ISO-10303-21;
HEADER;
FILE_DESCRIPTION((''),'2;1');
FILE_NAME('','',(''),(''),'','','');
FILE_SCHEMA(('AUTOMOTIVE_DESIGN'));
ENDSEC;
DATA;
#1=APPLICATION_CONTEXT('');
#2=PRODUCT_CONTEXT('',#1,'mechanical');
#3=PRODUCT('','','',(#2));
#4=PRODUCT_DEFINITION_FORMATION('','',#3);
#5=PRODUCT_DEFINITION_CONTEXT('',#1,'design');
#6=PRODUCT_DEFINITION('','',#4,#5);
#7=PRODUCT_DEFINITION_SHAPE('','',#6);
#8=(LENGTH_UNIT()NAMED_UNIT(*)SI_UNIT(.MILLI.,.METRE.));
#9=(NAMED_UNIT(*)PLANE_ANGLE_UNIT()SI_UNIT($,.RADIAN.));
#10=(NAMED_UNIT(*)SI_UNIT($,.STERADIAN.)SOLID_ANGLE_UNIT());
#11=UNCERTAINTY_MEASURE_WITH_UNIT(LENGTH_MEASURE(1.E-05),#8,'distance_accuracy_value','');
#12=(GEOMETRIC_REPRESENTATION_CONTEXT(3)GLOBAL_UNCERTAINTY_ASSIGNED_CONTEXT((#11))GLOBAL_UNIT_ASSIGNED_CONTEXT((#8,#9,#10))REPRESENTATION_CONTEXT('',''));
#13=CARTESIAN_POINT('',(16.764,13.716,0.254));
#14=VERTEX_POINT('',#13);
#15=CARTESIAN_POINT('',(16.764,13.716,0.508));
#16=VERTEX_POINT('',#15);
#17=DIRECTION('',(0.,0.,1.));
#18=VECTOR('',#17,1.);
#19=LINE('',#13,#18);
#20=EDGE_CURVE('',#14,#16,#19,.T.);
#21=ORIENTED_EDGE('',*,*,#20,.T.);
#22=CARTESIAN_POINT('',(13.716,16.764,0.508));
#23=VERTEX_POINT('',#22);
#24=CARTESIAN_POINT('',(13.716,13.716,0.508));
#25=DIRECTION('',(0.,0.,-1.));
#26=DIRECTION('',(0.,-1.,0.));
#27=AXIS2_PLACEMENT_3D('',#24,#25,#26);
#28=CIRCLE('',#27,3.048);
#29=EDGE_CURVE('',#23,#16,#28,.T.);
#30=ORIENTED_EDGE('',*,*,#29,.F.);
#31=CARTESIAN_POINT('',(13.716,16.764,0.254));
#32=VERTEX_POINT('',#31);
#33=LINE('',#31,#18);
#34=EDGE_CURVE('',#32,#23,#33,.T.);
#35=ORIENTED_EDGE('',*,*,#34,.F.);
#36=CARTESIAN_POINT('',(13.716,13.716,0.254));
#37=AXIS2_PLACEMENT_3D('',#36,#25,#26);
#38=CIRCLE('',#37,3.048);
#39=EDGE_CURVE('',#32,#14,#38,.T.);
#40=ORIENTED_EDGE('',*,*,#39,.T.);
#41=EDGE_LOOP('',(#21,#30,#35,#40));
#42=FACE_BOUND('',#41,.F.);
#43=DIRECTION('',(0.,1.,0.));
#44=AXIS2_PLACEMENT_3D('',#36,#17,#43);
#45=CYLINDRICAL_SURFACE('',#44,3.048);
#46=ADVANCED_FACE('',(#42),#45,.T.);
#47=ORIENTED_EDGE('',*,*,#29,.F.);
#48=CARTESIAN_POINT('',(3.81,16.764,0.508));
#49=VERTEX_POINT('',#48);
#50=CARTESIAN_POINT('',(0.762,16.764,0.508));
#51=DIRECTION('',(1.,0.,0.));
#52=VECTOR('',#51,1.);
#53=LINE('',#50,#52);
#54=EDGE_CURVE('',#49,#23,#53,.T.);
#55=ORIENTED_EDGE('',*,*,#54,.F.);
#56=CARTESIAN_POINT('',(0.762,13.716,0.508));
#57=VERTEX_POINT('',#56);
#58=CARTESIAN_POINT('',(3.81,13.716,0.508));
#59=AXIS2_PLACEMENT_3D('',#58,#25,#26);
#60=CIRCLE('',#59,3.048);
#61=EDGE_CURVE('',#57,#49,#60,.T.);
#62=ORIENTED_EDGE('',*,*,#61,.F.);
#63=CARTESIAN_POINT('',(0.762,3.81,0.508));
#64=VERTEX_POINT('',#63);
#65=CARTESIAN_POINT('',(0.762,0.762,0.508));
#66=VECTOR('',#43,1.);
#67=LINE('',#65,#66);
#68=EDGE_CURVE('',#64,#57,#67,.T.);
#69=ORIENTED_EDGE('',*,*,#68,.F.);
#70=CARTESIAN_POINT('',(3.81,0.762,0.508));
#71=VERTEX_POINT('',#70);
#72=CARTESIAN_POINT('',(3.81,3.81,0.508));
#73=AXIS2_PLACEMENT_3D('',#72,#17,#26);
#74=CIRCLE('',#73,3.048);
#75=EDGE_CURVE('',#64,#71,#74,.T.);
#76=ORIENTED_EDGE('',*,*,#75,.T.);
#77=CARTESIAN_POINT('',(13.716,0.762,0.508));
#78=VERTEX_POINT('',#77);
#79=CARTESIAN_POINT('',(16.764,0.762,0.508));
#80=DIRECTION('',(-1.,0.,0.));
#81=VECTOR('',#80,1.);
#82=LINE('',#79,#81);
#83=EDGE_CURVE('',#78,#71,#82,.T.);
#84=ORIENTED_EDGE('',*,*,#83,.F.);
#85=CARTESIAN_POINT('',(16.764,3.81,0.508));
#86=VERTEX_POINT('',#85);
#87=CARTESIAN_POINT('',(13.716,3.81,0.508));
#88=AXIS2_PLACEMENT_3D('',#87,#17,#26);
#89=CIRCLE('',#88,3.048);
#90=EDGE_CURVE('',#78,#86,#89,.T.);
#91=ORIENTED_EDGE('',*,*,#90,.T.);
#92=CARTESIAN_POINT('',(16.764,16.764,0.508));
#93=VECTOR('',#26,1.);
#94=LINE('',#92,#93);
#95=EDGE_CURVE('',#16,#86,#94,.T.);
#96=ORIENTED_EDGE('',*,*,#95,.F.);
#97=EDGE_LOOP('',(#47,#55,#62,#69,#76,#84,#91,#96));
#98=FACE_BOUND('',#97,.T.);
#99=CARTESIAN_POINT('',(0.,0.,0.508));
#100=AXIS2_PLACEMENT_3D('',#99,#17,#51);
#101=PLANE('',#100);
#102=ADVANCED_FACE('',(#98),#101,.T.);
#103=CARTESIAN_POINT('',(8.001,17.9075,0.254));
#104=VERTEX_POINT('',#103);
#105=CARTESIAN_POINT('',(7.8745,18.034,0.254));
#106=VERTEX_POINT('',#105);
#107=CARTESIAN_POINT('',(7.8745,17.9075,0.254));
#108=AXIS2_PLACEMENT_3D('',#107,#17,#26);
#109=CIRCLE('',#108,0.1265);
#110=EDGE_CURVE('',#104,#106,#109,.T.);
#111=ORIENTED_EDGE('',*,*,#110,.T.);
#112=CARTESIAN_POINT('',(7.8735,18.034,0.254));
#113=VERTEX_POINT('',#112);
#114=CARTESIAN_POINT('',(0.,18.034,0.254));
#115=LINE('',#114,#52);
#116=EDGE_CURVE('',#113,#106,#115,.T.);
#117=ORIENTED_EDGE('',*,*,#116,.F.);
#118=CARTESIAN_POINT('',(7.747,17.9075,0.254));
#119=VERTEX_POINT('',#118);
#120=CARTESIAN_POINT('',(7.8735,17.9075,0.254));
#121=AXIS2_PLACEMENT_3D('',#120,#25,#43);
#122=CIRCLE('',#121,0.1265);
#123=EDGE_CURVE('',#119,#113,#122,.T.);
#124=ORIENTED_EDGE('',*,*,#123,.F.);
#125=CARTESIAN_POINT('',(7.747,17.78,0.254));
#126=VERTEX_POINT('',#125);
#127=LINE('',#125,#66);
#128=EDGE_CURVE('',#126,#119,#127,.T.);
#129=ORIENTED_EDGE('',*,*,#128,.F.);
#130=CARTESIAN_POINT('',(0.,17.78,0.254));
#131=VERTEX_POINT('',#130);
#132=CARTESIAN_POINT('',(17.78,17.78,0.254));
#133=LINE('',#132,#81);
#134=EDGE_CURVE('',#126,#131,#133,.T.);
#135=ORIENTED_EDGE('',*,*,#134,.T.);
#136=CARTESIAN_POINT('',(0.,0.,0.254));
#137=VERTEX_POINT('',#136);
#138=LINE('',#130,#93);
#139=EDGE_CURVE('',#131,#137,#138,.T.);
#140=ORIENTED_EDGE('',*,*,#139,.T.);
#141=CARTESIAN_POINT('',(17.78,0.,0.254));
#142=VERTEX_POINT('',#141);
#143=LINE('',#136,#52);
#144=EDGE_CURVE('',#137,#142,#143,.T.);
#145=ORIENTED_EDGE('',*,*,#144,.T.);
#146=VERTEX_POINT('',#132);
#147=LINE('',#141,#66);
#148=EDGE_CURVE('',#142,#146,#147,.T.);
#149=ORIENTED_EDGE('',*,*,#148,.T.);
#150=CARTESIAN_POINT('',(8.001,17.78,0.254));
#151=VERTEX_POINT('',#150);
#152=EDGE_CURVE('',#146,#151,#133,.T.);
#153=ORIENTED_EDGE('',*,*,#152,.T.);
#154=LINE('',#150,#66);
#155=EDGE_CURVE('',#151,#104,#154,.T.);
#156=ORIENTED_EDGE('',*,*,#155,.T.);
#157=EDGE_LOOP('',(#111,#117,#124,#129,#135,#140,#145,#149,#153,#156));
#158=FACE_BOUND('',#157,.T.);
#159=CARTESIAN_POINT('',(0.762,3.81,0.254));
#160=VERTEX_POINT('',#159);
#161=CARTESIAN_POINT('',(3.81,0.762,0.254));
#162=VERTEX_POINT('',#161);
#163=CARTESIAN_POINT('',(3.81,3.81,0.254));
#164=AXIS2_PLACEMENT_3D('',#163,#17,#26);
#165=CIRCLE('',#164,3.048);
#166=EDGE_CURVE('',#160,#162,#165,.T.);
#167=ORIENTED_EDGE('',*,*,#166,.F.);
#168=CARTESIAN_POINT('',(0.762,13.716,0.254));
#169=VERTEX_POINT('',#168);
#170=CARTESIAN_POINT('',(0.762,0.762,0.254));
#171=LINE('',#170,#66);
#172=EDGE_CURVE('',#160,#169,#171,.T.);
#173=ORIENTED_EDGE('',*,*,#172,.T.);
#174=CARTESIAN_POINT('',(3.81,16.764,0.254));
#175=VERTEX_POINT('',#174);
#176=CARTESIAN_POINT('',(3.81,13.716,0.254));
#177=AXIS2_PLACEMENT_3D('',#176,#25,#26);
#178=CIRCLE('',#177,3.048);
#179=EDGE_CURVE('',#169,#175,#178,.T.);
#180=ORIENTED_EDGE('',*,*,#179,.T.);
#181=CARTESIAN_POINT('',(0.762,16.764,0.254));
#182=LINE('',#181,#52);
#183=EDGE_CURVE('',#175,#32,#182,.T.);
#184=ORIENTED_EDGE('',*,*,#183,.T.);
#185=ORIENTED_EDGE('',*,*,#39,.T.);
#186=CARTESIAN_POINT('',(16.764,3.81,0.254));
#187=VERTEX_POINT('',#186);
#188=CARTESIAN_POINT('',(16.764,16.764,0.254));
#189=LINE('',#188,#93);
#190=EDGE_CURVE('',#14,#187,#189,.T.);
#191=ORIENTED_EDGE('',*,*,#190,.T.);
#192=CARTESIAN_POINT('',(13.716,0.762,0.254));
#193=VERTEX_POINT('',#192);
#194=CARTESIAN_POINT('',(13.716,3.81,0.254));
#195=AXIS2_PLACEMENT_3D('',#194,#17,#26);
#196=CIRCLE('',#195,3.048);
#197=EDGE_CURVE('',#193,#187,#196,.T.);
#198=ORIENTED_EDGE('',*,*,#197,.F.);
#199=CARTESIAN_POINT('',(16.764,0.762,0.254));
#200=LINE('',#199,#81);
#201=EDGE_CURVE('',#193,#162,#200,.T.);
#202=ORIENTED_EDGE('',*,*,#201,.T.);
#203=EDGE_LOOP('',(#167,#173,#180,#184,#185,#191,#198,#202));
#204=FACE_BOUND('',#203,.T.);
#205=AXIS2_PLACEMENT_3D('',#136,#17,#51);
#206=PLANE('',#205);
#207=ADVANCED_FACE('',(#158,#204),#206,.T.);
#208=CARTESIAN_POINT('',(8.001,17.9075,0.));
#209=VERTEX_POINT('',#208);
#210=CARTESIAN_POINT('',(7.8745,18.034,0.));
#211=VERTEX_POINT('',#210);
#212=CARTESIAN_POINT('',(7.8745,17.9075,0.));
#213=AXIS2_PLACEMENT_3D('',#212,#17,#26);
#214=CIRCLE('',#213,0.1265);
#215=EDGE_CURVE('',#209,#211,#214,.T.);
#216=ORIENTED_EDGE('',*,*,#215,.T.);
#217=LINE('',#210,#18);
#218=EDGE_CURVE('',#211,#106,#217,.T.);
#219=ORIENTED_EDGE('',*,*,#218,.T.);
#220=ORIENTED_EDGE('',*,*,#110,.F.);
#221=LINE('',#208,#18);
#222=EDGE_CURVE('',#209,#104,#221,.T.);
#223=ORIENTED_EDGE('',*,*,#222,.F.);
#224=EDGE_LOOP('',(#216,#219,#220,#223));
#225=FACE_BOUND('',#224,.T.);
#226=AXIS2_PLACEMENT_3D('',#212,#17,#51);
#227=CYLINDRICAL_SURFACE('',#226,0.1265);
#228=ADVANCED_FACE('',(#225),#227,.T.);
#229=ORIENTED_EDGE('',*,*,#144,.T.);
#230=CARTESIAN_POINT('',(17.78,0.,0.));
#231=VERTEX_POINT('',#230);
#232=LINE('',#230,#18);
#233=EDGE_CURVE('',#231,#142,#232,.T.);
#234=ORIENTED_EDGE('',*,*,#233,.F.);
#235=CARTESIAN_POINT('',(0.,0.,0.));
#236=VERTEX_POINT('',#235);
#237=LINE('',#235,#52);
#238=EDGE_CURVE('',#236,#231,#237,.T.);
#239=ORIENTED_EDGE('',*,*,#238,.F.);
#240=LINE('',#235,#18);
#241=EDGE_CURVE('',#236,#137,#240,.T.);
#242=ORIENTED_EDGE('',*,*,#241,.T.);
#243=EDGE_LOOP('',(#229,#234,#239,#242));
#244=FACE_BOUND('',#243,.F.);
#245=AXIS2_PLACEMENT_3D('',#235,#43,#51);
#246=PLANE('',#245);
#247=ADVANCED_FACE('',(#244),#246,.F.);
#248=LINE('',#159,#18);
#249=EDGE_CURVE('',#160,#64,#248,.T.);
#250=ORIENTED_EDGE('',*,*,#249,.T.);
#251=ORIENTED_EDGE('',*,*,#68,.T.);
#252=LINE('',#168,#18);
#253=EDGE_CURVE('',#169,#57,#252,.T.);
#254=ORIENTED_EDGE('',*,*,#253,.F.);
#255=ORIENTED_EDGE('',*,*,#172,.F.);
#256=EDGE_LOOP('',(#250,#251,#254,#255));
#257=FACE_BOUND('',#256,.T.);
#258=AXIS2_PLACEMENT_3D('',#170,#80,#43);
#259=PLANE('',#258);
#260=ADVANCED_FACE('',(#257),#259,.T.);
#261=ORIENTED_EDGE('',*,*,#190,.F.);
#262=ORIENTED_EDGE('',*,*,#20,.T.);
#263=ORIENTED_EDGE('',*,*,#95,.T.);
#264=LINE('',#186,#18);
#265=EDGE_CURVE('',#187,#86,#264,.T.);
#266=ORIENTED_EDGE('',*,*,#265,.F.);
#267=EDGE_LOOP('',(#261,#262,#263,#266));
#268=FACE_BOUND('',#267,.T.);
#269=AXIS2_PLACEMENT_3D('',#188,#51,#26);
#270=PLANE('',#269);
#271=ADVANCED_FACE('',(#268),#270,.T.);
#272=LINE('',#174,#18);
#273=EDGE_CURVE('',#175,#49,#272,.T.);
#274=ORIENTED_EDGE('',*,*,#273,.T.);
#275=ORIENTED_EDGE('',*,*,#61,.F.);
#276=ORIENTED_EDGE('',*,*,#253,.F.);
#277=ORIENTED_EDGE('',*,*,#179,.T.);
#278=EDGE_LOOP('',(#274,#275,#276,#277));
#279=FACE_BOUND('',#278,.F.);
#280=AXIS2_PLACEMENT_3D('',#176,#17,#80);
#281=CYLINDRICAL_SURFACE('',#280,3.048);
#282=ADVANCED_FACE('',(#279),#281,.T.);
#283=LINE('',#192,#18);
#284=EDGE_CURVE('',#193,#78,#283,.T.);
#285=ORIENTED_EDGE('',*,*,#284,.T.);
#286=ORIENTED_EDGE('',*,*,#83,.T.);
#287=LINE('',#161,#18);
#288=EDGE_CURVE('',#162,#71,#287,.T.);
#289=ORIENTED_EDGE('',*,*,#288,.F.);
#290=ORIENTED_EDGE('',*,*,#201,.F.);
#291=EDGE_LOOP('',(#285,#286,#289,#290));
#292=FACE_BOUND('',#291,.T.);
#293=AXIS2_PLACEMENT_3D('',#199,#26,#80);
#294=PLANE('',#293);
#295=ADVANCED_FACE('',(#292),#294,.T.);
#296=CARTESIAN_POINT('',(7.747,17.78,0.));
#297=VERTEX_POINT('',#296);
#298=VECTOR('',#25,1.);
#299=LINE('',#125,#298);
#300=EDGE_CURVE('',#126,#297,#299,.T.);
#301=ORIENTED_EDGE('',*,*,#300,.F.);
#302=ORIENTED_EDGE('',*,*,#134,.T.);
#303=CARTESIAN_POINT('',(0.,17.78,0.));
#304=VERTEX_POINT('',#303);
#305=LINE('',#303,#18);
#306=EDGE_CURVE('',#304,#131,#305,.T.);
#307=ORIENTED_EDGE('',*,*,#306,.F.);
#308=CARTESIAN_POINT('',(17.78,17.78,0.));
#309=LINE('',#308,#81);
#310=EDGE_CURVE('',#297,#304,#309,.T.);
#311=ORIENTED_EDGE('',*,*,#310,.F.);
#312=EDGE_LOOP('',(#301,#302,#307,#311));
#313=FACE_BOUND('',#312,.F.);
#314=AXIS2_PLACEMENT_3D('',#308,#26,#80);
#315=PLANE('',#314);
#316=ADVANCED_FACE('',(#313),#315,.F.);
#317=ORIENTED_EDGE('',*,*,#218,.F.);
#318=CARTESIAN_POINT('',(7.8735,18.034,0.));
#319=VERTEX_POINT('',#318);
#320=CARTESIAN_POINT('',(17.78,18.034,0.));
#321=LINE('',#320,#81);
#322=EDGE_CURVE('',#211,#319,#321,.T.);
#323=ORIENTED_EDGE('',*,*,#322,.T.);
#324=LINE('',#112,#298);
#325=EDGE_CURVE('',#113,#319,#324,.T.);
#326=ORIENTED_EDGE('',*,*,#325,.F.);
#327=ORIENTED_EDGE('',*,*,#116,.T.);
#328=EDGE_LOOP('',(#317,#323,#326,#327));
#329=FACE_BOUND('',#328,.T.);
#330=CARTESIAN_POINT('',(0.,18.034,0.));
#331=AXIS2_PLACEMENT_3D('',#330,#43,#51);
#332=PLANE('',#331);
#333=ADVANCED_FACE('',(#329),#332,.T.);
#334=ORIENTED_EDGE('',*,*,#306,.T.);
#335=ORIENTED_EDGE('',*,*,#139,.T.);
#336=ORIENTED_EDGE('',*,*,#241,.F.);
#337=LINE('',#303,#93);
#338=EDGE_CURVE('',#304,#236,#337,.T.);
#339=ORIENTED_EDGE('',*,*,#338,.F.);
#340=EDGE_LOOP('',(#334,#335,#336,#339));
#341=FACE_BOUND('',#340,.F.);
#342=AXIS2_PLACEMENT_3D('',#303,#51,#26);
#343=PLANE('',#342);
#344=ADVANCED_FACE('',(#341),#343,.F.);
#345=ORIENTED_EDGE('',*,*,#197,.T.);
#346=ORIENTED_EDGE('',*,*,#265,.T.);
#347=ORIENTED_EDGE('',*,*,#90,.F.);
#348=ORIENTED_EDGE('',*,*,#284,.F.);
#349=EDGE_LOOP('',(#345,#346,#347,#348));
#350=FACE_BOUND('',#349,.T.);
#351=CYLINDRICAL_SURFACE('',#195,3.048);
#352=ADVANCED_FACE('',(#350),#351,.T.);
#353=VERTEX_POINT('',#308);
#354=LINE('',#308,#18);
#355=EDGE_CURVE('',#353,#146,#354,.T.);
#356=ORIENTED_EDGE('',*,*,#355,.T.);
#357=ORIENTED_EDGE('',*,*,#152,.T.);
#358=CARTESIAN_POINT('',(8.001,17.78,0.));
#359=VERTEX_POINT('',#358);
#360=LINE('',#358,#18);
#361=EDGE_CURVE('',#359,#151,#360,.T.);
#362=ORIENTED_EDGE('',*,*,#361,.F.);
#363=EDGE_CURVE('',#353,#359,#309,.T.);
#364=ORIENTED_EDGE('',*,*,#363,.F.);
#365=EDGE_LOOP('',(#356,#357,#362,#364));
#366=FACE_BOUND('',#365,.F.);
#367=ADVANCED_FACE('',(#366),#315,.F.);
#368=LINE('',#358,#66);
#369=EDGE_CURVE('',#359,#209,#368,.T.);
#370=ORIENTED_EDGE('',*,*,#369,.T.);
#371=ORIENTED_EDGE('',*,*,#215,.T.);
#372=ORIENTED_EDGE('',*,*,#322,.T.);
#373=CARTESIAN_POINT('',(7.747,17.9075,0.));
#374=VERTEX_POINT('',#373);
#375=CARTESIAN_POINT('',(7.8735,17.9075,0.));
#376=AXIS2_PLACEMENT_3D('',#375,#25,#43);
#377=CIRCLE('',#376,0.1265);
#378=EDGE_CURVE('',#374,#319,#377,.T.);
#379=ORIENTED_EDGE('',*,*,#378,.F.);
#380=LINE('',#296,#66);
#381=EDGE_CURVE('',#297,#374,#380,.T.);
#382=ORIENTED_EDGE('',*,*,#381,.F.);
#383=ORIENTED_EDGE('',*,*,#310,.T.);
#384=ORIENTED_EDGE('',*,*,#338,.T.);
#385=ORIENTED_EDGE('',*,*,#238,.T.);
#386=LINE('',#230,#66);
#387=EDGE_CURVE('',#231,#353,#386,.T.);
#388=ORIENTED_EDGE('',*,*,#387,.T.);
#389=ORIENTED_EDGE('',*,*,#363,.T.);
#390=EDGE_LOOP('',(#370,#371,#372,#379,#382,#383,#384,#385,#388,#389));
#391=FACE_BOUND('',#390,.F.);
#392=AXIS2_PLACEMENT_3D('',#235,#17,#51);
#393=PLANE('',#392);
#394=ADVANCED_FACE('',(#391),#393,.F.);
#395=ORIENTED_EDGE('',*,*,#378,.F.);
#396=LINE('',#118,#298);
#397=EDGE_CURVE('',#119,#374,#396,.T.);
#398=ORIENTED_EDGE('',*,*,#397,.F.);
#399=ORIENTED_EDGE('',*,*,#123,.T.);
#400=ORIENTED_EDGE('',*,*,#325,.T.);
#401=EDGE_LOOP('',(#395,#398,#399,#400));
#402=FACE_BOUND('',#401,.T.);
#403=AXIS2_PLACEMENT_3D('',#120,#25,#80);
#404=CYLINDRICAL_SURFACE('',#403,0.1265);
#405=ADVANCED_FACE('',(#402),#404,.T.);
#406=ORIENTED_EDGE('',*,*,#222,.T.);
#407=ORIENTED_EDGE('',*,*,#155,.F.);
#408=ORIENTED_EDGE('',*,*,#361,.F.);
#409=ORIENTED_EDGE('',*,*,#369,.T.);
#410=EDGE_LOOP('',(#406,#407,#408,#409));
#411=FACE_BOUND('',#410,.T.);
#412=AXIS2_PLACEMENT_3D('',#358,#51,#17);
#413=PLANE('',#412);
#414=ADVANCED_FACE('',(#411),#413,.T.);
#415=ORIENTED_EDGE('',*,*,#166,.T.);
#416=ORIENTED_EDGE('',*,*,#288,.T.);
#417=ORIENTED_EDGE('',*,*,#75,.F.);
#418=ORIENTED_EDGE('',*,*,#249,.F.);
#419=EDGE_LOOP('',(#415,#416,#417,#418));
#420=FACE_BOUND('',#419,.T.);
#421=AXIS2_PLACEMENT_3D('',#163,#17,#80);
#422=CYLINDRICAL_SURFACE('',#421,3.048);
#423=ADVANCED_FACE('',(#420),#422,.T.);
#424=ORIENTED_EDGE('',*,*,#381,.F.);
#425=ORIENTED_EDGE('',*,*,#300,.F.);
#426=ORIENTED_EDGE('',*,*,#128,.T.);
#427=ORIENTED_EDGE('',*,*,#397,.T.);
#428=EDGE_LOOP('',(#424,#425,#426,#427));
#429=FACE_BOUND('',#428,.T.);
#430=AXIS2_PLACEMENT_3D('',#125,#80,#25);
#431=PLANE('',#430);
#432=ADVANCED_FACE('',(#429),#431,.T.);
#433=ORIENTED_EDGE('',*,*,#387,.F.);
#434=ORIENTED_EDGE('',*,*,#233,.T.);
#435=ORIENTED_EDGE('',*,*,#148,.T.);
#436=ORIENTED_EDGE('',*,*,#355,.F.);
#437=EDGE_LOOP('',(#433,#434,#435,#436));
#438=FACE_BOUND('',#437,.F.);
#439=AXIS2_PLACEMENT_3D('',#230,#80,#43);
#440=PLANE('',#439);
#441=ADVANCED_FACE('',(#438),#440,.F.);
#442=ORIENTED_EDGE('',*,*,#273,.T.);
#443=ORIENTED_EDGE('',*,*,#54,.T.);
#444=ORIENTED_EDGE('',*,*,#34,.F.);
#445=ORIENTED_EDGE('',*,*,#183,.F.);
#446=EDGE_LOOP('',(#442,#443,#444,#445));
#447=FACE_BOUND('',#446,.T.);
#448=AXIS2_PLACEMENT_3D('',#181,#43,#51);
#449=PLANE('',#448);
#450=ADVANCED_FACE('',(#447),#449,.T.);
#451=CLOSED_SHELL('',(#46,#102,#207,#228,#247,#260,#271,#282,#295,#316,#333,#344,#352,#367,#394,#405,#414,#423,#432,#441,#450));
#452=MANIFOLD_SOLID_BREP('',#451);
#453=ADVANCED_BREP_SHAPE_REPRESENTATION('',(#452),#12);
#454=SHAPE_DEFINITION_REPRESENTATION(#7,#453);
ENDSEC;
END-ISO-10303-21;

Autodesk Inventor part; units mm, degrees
ref_plane "YZ Plane" through (0, 0, 0) normal (1, 0, 0) x (0, 1, 0)
ref_plane "XZ Plane" through (0, 0, 0) normal (0, 1, 0) x (-1, 0, 0)
ref_plane "XY Plane" through (0, 0, 0) normal (0, 0, 1) x (1, 0, 0)
sketch "Sketch1" plane through (0, 0, 0) normal (0, 0, 1) x (1, 0, 0)
  line L0 (0, 0) -> (17.78, 0)
  line L1 (17.78, 0) -> (17.78, 17.78)
  line L2 (17.78, 17.78) -> (0, 17.78)
  line L3 (0, 17.78) -> (0, 0)
  dimension "d0" = 17.78
extrude "Extrusion1" add sketch "Sketch1" along normal blind 0.254
sketch "Sketch2" plane through (0, 0, 0.254) normal (0, 0, 1) x (1, 0, 0)
  line L0 (0.762, 16.764) -> (16.764, 16.764)
  line L1 (16.764, 16.764) -> (16.764, 0.762)
  line L2 (16.764, 0.762) -> (0.762, 0.762)
  line L3 (0.762, 0.762) -> (0.762, 16.764)
  line L4 (0, 0) -> (17.78, 0) projected
  line L5 (0, 17.78) -> (0, 0) projected
  point P0 (0.762, 0.762)
  dimension "d3" = 16.002
  dimension "d4" = 0.762
  dimension "d5" = 0.762
extrude "Extrusion2" add sketch "Sketch2" along normal blind 0.254
fillet "Fillet1" radius 3.048 1 edges at (0.762, 0.762, 0.381)
fillet "Fillet2" radius 3.048 3 edges at (16.764, 0.762, 0.381) (16.764, 16.764, 0.381) (0.762, 16.764, 0.381)
sketch "Sketch3" plane through (0, 17.78, 0) normal (0, 1, 0) x (1, 0, 0)
  line L0 (17.78, 0) -> (0, 0) projected
  line L1 (0, -0.254) -> (17.78, -0.254) projected
  line L2 (7.747, 0) -> (8.001, 0)
  line L3 (8.001, 0) -> (8.001, -0.254)
  line L4 (8.001, -0.254) -> (7.747, -0.254)
  line L5 (7.747, -0.254) -> (7.747, 0)
  dimension "d10" = 7.747
  dimension "d11" = 0.254
extrude "Extrusion3" add sketch "Sketch3" along normal blind 0.254
fillet "Fillet3" radius 0.127 2 edges at (8.001, 18.034, 0.127) (7.747, 18.034, 0.127)
properties part number "plate" material "Gold"
